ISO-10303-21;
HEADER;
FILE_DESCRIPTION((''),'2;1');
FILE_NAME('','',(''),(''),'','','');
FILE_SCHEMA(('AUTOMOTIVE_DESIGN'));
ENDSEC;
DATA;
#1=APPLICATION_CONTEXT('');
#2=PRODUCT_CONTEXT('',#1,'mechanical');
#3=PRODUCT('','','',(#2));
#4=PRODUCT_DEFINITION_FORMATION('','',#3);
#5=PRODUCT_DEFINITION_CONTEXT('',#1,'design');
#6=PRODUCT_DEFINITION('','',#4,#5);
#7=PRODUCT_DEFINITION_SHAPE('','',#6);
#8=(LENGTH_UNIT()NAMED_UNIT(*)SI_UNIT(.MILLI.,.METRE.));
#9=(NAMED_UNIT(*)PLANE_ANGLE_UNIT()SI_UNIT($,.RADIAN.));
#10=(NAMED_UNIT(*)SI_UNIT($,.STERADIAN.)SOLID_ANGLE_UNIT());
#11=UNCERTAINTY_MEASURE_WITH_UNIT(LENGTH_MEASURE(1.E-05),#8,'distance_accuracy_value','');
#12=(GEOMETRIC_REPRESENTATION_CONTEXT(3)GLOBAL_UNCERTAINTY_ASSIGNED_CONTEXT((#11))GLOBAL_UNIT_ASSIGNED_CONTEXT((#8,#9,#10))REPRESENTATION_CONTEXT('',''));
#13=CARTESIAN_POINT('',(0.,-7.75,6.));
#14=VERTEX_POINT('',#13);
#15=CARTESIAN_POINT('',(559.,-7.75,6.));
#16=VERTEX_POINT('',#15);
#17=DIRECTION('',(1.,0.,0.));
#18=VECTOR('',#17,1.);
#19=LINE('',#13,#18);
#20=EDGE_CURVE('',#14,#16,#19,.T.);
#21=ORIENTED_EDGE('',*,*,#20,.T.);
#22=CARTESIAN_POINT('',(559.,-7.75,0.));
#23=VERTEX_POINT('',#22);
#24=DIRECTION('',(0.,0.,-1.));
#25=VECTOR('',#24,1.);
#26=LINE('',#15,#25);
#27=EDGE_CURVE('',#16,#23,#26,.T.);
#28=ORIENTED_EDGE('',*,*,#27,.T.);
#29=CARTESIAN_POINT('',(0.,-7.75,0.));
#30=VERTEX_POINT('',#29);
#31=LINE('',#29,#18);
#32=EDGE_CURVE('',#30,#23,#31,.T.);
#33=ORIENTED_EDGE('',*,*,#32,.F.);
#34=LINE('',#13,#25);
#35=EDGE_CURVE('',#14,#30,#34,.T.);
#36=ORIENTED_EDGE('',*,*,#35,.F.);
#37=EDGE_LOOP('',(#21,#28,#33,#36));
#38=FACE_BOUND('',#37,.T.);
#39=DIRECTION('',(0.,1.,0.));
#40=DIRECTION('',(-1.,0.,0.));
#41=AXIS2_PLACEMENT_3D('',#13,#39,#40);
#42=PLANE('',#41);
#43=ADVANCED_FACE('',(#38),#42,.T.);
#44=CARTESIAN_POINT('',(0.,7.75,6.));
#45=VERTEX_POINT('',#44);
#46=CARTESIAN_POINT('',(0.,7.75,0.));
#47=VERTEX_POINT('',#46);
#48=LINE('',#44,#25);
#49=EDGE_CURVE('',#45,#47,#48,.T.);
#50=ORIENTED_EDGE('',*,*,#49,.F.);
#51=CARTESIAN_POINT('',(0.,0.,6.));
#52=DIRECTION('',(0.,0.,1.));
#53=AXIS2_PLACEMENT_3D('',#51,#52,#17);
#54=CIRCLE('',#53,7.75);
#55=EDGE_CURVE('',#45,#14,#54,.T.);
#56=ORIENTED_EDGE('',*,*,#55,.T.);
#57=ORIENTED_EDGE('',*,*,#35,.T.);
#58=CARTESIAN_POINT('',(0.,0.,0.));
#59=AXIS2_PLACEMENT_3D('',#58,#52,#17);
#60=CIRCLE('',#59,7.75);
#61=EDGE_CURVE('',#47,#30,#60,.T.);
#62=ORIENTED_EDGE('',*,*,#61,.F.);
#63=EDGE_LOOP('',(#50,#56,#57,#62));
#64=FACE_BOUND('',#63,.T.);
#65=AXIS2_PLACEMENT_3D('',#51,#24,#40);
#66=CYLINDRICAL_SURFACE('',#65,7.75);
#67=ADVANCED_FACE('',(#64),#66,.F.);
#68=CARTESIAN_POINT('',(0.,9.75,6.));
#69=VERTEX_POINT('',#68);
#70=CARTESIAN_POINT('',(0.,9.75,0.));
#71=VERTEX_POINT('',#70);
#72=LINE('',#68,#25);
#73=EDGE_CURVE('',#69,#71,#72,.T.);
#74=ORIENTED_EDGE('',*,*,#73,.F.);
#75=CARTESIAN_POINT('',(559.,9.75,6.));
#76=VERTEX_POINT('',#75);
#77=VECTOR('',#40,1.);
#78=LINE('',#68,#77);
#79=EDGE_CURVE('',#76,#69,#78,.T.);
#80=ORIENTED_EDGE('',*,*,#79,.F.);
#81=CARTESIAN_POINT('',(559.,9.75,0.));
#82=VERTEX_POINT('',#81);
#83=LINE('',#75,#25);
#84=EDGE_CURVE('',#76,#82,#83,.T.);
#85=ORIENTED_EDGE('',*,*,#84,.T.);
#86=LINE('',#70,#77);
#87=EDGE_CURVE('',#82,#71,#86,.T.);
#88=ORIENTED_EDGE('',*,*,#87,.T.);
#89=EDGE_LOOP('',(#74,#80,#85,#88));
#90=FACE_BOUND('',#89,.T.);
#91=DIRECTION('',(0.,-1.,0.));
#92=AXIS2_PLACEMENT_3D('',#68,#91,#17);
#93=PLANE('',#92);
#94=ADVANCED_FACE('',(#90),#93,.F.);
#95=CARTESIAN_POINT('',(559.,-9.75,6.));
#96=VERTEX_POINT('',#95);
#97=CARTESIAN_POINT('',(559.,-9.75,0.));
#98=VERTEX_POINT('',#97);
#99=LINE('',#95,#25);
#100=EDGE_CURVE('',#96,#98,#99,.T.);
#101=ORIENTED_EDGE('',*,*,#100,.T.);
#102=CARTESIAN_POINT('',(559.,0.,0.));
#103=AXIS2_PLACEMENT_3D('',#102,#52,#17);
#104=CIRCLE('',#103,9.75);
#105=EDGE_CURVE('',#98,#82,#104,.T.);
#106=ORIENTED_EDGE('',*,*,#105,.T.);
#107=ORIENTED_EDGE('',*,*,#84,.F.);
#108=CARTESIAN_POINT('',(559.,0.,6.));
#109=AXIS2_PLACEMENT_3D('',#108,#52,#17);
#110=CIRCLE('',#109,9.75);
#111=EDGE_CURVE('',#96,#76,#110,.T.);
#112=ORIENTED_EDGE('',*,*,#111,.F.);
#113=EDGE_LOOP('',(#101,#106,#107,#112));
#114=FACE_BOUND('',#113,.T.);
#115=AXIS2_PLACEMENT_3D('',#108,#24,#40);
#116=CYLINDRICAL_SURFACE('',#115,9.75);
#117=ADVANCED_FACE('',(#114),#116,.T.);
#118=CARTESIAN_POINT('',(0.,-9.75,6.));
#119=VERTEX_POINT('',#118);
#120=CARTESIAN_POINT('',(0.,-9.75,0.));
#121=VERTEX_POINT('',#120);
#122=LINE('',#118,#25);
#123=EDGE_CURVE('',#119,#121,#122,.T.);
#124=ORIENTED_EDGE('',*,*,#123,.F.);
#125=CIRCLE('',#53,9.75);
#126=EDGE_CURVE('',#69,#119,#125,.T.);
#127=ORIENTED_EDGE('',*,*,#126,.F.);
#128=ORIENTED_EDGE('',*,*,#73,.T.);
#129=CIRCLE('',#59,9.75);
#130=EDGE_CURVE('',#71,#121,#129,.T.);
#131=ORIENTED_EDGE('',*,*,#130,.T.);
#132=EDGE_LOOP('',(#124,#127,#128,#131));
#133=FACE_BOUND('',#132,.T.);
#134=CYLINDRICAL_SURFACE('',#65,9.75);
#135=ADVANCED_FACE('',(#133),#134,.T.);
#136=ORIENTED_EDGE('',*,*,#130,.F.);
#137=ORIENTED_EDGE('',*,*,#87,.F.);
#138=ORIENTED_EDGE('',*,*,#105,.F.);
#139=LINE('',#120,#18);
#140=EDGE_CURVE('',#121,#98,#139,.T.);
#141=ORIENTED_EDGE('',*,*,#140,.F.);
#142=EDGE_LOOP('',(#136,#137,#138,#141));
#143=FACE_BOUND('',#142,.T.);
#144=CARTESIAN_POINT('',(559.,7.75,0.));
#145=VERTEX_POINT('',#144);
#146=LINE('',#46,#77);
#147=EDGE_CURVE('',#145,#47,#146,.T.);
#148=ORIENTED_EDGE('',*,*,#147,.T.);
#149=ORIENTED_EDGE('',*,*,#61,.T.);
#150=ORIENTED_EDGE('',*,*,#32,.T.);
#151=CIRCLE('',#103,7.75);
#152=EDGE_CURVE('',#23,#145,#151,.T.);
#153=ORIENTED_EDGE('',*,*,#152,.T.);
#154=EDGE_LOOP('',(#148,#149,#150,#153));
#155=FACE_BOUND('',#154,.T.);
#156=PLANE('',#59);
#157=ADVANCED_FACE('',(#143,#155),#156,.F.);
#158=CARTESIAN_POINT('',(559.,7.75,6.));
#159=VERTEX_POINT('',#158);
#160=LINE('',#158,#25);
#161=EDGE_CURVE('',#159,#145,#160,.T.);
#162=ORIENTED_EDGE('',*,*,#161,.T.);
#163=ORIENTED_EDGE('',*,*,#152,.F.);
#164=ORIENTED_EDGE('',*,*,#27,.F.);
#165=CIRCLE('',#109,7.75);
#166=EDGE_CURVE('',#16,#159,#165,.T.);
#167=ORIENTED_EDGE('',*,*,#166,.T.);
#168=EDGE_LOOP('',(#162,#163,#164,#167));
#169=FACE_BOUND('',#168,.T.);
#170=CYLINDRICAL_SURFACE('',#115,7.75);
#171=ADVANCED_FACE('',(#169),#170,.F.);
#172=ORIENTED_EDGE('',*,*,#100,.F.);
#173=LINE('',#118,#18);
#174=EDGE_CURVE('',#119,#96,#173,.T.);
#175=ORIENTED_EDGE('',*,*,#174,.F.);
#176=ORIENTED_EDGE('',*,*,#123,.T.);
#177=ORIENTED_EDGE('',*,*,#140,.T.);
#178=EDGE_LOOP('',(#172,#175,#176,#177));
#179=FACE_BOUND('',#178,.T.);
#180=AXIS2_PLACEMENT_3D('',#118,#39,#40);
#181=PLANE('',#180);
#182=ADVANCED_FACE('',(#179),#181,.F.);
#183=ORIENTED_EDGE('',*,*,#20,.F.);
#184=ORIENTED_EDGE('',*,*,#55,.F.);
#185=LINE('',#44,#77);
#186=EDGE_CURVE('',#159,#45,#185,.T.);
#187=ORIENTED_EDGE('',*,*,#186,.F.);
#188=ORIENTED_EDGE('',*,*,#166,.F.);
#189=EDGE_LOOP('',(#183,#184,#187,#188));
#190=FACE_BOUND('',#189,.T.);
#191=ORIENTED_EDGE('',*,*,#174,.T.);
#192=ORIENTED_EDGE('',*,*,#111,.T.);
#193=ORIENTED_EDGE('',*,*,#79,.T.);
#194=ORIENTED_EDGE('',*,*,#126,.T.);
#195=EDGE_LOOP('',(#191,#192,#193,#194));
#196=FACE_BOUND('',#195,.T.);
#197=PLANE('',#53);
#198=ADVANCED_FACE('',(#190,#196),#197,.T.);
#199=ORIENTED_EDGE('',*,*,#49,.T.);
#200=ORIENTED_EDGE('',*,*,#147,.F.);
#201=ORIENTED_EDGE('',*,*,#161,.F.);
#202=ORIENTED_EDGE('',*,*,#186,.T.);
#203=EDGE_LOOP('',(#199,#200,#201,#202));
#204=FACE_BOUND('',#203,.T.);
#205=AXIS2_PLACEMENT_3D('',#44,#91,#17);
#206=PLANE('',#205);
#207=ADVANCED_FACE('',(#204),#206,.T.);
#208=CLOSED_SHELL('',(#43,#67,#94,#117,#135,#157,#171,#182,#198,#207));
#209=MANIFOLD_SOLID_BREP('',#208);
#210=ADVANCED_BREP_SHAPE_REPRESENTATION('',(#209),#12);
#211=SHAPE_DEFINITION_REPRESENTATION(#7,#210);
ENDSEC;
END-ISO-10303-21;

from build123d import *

# Parameters (mm, degrees)
BOSS_EXTRUDE1_DEPTH = 6


with BuildPart() as part:
    # Sketch1 → Boss-Extrude1 (new body)
    with BuildSketch(Plane.XY):
        with BuildLine():
            Line((0, 9.75), (559, 9.75))
            ThreePointArc((559, 9.75), (568.75, 0), (559, -9.75))
            Line((559, -9.75), (0, -9.75))
            ThreePointArc((0, -9.75), (-9.75, 0), (0, 9.75))
        make_face()
        with BuildLine():
            Line((0, 7.75), (559, 7.75))
            ThreePointArc((559, 7.75), (566.75, 0), (559, -7.75))
            Line((559, -7.75), (0, -7.75))
            ThreePointArc((0, -7.75), (-7.75, 0), (0, 7.75))
        make_face(mode=Mode.SUBTRACT)
    extrude(amount=BOSS_EXTRUDE1_DEPTH)


solid = part.part
